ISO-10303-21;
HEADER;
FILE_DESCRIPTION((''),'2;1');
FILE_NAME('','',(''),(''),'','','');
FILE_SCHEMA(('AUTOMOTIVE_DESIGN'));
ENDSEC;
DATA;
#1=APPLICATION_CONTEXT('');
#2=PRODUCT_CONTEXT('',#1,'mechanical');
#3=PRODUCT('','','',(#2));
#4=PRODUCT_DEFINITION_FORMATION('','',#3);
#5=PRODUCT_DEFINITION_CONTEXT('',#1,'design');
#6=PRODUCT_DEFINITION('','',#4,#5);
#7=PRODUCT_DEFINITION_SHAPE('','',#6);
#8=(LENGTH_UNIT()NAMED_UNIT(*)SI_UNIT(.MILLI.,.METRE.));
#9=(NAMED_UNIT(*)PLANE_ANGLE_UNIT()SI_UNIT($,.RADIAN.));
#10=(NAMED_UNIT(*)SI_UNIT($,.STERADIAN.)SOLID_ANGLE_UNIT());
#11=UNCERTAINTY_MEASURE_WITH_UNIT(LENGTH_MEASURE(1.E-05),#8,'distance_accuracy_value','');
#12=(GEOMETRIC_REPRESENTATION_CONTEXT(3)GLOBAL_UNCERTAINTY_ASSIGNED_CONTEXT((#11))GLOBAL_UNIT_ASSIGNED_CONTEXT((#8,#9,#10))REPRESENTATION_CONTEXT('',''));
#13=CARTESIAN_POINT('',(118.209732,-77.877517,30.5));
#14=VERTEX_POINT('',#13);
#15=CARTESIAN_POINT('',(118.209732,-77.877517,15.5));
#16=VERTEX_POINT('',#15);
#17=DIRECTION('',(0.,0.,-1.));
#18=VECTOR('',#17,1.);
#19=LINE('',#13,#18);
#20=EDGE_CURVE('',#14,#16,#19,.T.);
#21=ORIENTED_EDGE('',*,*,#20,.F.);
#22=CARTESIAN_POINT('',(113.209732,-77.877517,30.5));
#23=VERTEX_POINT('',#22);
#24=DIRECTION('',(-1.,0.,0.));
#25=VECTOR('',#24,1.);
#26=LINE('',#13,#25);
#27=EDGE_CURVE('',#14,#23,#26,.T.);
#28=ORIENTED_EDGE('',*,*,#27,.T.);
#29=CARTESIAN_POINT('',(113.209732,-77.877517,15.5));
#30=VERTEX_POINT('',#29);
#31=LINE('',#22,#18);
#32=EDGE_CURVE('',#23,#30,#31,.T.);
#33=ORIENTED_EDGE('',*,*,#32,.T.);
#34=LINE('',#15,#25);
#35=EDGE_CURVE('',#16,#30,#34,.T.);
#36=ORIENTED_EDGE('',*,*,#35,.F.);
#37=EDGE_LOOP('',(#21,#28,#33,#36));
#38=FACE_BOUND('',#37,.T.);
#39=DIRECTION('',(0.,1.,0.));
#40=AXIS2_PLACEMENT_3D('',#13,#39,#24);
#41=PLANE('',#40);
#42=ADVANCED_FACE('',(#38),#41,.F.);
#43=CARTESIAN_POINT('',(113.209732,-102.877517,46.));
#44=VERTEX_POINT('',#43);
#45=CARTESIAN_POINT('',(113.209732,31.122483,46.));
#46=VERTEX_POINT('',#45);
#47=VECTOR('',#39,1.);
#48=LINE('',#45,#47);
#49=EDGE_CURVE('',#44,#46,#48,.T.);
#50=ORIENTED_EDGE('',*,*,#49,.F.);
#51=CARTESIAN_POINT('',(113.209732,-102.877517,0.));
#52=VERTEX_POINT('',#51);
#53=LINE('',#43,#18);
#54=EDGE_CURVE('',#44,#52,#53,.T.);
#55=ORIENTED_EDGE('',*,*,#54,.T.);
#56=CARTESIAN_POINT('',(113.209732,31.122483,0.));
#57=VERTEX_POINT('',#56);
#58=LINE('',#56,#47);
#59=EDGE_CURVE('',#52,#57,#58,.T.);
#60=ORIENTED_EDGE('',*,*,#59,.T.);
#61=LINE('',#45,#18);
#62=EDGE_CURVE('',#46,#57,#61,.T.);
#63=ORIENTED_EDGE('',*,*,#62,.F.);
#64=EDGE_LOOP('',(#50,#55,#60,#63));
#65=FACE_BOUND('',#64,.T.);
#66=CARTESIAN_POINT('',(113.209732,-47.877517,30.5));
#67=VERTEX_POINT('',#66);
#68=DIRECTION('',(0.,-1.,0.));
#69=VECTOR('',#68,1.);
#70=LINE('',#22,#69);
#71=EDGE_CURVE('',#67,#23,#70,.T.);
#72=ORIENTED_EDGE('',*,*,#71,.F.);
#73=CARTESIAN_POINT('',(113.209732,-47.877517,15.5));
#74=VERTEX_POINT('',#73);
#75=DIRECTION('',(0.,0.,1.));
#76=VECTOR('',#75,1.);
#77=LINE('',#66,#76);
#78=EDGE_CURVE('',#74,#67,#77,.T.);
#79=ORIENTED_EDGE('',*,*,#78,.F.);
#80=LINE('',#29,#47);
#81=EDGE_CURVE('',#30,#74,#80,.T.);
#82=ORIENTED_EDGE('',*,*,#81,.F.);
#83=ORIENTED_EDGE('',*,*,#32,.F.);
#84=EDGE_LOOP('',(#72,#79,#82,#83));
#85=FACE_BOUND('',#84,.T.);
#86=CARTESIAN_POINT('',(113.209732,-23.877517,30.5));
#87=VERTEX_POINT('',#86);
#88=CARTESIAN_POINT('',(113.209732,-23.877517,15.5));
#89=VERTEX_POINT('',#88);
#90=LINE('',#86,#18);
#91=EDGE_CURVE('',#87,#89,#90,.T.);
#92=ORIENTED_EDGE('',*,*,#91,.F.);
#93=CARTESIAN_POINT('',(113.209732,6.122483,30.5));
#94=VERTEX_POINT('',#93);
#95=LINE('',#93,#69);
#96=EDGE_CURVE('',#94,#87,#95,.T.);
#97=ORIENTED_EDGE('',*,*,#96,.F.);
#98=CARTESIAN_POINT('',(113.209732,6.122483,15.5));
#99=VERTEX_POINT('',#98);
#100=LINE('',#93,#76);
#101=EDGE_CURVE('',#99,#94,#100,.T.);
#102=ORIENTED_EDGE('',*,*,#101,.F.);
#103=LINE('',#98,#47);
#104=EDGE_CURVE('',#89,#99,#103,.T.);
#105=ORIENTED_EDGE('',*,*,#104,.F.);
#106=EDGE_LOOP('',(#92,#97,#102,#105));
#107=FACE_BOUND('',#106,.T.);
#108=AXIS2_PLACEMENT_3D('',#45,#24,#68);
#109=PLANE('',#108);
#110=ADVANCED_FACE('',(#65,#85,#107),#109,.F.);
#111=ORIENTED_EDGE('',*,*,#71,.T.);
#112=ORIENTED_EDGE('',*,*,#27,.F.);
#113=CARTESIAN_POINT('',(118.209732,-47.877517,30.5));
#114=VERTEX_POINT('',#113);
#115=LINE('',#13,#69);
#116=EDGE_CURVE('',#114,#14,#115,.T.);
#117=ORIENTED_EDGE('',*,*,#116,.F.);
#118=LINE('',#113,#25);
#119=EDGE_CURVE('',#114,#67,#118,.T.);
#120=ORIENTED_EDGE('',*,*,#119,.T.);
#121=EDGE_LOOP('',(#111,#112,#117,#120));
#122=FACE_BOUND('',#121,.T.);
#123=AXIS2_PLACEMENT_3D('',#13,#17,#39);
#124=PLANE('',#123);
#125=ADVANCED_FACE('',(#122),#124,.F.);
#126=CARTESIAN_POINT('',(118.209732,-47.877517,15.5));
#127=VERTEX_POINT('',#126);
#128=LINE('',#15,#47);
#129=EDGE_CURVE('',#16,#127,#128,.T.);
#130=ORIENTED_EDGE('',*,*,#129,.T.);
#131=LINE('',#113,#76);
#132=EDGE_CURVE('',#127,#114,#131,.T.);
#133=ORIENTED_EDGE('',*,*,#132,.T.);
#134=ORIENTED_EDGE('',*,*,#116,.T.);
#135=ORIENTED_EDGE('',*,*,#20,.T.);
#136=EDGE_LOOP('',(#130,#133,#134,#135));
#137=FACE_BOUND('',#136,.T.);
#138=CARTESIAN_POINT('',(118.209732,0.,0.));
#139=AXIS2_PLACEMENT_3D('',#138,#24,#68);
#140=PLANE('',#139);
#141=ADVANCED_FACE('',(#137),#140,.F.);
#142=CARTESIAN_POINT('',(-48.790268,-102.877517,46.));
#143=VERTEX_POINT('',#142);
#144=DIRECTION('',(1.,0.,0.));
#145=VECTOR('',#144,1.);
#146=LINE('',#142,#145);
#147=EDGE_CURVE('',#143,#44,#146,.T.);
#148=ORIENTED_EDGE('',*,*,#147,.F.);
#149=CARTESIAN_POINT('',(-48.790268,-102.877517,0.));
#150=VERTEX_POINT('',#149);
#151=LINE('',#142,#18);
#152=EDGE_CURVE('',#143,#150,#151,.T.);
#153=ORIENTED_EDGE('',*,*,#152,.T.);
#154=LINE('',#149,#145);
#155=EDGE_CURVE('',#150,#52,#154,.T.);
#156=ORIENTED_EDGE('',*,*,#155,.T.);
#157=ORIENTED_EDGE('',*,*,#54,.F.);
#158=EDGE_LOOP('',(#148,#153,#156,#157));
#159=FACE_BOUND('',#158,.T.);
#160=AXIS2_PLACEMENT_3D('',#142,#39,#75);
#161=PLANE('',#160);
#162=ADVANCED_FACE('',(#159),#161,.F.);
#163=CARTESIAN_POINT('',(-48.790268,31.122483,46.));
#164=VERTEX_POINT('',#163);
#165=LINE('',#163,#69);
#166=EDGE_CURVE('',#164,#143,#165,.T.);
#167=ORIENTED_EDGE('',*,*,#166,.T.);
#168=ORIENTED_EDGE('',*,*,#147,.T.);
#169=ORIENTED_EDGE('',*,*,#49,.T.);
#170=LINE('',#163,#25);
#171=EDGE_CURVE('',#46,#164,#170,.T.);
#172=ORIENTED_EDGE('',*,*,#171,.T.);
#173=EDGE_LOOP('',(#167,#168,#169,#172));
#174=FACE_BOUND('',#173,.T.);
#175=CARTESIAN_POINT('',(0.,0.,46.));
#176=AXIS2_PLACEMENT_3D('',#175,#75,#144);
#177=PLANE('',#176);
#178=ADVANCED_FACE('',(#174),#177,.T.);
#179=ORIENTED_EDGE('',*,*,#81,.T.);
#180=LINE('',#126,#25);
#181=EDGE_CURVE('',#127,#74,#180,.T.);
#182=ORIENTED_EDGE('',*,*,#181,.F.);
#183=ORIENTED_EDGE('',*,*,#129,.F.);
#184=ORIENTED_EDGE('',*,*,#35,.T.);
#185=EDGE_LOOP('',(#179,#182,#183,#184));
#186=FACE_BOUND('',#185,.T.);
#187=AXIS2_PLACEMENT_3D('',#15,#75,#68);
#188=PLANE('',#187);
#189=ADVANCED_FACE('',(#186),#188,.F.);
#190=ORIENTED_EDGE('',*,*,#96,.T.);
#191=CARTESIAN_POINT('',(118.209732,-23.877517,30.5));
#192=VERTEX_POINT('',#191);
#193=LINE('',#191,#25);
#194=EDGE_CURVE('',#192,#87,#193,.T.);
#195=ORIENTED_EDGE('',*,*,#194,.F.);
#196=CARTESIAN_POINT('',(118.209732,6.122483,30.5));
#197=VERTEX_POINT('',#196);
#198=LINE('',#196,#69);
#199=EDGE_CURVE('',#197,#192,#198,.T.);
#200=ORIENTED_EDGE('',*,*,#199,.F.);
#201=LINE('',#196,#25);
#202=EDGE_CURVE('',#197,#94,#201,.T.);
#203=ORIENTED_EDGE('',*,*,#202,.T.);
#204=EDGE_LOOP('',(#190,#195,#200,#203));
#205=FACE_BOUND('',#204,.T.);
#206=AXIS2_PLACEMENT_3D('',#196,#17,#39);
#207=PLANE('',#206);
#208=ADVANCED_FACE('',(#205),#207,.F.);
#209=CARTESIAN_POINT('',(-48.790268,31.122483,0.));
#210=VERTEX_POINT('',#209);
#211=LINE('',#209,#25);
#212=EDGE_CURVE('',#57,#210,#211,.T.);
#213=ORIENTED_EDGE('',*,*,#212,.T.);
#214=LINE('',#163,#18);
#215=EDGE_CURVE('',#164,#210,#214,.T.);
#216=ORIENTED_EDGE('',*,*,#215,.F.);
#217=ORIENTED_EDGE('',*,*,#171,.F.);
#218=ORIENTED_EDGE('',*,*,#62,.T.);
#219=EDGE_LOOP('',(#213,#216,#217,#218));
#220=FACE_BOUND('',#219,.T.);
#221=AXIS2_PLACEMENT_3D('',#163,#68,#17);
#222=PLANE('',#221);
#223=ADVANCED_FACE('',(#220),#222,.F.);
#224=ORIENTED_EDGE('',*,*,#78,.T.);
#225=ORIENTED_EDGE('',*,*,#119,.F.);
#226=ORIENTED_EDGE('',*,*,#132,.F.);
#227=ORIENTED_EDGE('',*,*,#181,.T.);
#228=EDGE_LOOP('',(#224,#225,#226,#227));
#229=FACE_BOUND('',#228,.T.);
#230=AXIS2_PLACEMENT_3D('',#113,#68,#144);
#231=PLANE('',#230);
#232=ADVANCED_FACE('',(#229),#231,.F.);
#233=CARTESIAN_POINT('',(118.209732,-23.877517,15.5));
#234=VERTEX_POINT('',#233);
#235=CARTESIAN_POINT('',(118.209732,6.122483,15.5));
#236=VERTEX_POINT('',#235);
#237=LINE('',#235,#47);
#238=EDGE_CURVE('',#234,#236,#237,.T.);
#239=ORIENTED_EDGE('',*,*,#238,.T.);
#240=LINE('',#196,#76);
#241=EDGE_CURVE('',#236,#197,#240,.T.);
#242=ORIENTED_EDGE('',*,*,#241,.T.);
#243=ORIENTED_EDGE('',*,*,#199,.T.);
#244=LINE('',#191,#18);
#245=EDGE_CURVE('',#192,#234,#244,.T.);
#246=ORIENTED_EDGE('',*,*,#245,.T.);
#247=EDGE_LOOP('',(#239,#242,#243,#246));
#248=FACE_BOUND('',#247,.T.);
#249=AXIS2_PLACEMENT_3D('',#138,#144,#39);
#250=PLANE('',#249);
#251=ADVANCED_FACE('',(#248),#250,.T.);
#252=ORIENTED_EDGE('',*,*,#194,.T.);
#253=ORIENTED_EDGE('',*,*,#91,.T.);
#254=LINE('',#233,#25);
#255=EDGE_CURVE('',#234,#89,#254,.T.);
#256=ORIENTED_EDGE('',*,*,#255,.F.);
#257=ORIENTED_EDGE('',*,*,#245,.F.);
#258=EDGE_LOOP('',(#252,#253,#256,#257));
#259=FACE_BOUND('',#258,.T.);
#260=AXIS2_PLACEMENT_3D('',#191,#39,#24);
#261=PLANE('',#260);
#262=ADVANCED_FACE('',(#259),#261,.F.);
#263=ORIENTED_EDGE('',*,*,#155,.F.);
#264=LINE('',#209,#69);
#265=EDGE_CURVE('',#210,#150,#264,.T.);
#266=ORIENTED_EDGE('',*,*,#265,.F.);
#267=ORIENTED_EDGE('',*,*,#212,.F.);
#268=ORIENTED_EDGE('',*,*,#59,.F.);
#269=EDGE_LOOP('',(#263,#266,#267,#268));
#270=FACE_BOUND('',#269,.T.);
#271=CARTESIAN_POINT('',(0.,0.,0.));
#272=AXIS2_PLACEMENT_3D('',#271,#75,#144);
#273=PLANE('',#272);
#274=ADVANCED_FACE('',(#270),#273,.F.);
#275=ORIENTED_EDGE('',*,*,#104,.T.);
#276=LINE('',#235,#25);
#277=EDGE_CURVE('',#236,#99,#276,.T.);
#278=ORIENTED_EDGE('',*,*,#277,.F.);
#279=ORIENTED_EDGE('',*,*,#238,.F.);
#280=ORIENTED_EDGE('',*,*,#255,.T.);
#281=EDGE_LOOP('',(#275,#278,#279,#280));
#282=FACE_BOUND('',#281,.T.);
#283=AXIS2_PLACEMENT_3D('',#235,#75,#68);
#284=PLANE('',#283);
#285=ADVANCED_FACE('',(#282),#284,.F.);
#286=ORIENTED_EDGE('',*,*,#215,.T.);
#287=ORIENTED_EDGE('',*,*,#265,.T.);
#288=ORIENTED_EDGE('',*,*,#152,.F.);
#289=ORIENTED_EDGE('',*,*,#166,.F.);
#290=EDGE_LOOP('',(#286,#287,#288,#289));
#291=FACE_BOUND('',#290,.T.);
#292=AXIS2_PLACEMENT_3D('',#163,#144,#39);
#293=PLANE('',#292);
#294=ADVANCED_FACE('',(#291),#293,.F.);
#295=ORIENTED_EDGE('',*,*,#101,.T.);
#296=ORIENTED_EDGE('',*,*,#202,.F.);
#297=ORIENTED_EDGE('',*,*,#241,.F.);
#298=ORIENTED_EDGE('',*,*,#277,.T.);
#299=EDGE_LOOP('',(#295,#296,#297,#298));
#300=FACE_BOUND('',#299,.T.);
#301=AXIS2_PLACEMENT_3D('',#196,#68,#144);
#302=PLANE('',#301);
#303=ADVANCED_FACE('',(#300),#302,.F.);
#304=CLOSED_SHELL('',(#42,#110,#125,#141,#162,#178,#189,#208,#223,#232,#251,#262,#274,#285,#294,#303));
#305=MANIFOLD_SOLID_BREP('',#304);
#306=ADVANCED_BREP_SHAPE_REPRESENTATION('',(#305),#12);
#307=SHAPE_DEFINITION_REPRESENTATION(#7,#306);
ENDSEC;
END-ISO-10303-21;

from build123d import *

# Parameters (mm, degrees)
ESQUISSE1_W        = 162
ESQUISSE1_H        = 134
BOSS_EXTRU_1_DEPTH = 46
ESQUISSE2_W        = 15
ESQUISSE2_H        = 30
BOSS_EXTRU_2_DEPTH = 5


with BuildPart() as part:
    # Esquisse1 → Boss.-Extru.1 (new body)
    with BuildSketch(Plane.XY):
        with Locations((32.209731544, -35.877516779)):
            Rectangle(ESQUISSE1_W, ESQUISSE1_H)
    extrude(amount=BOSS_EXTRU_1_DEPTH)

    # Esquisse2 → Boss.-Extru.2 (add)
    with BuildSketch(Plane(origin=(113.209731544, 0, 0), x_dir=(0, 0, -1), z_dir=(1, 0, 0))):
        with Locations((-23, -8.877516779)):
            Rectangle(ESQUISSE2_W, ESQUISSE2_H)
        with Locations((-23, -62.877516779)):
            Rectangle(ESQUISSE2_W, ESQUISSE2_H)
    extrude(amount=BOSS_EXTRU_2_DEPTH)


solid = part.part
